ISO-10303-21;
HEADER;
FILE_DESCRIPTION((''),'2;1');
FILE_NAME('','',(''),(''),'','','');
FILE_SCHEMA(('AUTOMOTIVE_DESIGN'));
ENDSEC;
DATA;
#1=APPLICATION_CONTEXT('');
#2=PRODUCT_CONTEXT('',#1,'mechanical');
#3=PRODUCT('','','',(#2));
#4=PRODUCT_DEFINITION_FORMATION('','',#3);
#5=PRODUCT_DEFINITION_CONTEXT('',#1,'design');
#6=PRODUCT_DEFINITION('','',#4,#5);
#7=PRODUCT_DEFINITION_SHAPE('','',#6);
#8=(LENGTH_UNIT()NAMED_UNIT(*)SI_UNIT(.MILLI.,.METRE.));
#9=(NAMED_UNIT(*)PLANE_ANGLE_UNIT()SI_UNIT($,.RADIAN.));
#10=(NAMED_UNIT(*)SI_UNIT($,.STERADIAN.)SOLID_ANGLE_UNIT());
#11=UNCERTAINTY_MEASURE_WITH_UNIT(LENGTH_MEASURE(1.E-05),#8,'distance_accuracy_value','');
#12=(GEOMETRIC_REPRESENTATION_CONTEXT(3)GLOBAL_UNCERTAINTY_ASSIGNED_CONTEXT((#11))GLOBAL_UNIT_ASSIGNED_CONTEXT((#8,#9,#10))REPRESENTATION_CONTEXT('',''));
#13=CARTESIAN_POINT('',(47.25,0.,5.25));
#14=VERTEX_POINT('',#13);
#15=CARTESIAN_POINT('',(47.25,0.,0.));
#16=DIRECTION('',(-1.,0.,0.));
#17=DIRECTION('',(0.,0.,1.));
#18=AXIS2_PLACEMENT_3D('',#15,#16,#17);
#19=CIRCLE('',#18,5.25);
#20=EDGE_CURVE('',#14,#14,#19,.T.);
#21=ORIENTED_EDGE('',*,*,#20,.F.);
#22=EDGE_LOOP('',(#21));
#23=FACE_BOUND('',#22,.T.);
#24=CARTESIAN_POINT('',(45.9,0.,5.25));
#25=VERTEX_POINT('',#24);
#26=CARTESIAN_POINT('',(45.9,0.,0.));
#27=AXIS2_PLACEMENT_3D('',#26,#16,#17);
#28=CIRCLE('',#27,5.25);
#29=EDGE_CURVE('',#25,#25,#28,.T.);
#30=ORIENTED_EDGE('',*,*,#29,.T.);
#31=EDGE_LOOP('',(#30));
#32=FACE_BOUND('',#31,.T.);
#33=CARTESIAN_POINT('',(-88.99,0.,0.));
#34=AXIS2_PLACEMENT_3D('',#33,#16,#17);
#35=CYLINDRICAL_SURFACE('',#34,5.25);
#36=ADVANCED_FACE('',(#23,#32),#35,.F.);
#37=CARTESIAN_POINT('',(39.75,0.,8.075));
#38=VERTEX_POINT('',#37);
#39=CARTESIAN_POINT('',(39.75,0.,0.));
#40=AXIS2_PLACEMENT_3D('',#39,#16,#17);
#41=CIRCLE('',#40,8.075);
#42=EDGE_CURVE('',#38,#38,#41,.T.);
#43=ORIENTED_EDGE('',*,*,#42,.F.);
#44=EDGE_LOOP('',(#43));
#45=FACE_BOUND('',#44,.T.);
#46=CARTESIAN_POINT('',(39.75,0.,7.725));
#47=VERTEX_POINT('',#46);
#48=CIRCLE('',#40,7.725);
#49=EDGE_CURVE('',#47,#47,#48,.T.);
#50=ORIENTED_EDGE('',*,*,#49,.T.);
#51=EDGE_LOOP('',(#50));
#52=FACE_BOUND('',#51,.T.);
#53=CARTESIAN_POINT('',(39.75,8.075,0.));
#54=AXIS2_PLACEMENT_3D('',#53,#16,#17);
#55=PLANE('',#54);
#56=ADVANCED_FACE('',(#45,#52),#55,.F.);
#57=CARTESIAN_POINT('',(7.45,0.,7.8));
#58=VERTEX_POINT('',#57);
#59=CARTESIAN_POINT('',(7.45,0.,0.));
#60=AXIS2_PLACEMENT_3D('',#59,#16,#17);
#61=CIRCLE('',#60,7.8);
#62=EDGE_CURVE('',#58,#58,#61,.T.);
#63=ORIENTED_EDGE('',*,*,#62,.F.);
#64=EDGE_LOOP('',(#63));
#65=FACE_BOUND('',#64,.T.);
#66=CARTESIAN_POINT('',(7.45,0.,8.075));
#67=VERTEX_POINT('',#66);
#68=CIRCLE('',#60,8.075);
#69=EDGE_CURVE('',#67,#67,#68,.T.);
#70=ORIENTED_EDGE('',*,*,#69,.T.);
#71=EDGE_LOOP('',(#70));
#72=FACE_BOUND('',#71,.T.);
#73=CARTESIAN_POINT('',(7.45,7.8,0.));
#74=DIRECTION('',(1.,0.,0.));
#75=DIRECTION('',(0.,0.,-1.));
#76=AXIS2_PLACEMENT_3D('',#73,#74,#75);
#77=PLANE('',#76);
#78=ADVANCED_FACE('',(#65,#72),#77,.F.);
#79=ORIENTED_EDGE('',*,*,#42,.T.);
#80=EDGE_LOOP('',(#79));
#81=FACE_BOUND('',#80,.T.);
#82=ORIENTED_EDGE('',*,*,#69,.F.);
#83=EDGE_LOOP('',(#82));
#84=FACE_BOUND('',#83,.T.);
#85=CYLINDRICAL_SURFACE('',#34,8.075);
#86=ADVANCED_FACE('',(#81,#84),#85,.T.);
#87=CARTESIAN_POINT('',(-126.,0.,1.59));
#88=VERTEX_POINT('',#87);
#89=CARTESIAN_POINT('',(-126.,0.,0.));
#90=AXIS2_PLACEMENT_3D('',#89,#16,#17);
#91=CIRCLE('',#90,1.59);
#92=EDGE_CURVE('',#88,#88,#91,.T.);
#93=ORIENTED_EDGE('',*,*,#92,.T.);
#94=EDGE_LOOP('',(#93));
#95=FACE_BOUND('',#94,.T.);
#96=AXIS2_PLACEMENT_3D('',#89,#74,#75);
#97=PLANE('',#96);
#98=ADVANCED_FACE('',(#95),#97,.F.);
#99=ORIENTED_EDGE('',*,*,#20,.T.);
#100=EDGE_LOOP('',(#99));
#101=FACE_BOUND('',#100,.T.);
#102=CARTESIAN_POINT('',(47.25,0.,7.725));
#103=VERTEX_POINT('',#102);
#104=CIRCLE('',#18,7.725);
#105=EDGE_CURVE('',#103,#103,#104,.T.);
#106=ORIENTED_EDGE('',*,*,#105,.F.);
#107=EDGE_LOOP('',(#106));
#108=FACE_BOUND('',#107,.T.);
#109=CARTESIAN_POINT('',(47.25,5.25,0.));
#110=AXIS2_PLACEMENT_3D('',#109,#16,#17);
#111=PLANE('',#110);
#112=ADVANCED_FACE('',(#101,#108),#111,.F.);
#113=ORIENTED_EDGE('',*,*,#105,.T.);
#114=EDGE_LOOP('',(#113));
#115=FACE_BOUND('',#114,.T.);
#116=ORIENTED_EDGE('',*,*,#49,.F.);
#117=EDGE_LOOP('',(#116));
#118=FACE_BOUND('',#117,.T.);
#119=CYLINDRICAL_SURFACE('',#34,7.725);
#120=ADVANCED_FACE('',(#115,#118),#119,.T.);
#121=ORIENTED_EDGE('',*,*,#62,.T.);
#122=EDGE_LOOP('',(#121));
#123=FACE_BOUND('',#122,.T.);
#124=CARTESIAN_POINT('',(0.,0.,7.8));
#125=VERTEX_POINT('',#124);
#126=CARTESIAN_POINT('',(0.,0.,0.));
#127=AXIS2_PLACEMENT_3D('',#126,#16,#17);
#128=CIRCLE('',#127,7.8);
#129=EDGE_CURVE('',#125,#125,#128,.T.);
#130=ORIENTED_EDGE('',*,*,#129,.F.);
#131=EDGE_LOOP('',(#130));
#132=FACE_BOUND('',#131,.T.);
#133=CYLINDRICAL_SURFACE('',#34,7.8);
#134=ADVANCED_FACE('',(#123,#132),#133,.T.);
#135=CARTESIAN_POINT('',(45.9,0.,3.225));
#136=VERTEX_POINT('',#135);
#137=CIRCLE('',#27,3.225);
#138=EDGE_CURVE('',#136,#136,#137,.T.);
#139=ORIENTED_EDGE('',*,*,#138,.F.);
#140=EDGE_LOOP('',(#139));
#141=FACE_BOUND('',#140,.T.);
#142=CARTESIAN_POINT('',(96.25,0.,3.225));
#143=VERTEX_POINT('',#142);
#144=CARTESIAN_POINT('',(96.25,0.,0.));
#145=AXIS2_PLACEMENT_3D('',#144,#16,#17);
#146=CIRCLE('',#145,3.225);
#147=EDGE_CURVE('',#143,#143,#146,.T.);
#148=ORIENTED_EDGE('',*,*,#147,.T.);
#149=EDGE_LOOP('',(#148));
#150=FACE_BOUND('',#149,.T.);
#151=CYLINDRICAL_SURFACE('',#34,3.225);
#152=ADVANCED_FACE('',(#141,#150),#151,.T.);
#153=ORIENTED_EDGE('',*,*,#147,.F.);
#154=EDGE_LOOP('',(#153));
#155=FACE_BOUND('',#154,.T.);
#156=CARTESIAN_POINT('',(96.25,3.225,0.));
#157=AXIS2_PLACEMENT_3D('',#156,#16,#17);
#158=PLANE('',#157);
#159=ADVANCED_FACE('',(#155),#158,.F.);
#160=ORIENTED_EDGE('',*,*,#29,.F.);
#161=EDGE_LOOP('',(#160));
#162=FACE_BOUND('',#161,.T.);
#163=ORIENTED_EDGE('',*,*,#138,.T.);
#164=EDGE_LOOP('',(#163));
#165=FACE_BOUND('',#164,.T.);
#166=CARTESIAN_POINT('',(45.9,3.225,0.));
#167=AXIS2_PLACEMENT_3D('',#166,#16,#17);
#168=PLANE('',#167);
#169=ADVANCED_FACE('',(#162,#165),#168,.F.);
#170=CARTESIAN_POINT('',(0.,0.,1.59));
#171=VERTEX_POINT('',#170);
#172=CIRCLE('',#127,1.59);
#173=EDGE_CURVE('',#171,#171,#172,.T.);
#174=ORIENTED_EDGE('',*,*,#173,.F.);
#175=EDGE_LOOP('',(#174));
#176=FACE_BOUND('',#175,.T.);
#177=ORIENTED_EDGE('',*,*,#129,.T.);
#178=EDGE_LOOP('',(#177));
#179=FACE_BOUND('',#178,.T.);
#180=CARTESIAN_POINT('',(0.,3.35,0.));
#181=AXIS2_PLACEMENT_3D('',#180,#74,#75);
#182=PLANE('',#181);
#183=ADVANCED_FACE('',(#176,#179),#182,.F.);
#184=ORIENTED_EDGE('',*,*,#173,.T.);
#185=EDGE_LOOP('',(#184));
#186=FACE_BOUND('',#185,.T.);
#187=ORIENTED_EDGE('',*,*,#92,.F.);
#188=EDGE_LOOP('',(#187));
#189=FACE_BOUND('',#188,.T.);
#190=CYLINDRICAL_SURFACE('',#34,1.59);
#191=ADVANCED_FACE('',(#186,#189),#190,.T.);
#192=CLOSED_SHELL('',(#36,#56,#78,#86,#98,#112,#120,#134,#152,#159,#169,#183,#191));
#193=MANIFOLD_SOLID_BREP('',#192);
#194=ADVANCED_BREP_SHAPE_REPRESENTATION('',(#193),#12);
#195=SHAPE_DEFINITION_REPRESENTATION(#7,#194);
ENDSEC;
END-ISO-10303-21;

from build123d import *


with BuildPart() as part:
    # Sketch2 → Revolve1 (revolve)
    with BuildSketch(Plane.XY):
        Polygon((0, 1.59), (-126, 1.59), (-126, 0), (96.25, 0), (96.25, 3.225), (45.9, 3.225), (45.9, 3.375), (45.9, 5.25), (47.25, 5.25), (47.25, 7.725), (39.75, 7.725), (39.75, 8.075), (7.45, 8.075), (7.45, 7.8), (0, 7.8), (0, 3.35), align=None)
    revolve(axis=Axis((-88.99, 0, 0), (1, 0, 0)))


solid = part.part
